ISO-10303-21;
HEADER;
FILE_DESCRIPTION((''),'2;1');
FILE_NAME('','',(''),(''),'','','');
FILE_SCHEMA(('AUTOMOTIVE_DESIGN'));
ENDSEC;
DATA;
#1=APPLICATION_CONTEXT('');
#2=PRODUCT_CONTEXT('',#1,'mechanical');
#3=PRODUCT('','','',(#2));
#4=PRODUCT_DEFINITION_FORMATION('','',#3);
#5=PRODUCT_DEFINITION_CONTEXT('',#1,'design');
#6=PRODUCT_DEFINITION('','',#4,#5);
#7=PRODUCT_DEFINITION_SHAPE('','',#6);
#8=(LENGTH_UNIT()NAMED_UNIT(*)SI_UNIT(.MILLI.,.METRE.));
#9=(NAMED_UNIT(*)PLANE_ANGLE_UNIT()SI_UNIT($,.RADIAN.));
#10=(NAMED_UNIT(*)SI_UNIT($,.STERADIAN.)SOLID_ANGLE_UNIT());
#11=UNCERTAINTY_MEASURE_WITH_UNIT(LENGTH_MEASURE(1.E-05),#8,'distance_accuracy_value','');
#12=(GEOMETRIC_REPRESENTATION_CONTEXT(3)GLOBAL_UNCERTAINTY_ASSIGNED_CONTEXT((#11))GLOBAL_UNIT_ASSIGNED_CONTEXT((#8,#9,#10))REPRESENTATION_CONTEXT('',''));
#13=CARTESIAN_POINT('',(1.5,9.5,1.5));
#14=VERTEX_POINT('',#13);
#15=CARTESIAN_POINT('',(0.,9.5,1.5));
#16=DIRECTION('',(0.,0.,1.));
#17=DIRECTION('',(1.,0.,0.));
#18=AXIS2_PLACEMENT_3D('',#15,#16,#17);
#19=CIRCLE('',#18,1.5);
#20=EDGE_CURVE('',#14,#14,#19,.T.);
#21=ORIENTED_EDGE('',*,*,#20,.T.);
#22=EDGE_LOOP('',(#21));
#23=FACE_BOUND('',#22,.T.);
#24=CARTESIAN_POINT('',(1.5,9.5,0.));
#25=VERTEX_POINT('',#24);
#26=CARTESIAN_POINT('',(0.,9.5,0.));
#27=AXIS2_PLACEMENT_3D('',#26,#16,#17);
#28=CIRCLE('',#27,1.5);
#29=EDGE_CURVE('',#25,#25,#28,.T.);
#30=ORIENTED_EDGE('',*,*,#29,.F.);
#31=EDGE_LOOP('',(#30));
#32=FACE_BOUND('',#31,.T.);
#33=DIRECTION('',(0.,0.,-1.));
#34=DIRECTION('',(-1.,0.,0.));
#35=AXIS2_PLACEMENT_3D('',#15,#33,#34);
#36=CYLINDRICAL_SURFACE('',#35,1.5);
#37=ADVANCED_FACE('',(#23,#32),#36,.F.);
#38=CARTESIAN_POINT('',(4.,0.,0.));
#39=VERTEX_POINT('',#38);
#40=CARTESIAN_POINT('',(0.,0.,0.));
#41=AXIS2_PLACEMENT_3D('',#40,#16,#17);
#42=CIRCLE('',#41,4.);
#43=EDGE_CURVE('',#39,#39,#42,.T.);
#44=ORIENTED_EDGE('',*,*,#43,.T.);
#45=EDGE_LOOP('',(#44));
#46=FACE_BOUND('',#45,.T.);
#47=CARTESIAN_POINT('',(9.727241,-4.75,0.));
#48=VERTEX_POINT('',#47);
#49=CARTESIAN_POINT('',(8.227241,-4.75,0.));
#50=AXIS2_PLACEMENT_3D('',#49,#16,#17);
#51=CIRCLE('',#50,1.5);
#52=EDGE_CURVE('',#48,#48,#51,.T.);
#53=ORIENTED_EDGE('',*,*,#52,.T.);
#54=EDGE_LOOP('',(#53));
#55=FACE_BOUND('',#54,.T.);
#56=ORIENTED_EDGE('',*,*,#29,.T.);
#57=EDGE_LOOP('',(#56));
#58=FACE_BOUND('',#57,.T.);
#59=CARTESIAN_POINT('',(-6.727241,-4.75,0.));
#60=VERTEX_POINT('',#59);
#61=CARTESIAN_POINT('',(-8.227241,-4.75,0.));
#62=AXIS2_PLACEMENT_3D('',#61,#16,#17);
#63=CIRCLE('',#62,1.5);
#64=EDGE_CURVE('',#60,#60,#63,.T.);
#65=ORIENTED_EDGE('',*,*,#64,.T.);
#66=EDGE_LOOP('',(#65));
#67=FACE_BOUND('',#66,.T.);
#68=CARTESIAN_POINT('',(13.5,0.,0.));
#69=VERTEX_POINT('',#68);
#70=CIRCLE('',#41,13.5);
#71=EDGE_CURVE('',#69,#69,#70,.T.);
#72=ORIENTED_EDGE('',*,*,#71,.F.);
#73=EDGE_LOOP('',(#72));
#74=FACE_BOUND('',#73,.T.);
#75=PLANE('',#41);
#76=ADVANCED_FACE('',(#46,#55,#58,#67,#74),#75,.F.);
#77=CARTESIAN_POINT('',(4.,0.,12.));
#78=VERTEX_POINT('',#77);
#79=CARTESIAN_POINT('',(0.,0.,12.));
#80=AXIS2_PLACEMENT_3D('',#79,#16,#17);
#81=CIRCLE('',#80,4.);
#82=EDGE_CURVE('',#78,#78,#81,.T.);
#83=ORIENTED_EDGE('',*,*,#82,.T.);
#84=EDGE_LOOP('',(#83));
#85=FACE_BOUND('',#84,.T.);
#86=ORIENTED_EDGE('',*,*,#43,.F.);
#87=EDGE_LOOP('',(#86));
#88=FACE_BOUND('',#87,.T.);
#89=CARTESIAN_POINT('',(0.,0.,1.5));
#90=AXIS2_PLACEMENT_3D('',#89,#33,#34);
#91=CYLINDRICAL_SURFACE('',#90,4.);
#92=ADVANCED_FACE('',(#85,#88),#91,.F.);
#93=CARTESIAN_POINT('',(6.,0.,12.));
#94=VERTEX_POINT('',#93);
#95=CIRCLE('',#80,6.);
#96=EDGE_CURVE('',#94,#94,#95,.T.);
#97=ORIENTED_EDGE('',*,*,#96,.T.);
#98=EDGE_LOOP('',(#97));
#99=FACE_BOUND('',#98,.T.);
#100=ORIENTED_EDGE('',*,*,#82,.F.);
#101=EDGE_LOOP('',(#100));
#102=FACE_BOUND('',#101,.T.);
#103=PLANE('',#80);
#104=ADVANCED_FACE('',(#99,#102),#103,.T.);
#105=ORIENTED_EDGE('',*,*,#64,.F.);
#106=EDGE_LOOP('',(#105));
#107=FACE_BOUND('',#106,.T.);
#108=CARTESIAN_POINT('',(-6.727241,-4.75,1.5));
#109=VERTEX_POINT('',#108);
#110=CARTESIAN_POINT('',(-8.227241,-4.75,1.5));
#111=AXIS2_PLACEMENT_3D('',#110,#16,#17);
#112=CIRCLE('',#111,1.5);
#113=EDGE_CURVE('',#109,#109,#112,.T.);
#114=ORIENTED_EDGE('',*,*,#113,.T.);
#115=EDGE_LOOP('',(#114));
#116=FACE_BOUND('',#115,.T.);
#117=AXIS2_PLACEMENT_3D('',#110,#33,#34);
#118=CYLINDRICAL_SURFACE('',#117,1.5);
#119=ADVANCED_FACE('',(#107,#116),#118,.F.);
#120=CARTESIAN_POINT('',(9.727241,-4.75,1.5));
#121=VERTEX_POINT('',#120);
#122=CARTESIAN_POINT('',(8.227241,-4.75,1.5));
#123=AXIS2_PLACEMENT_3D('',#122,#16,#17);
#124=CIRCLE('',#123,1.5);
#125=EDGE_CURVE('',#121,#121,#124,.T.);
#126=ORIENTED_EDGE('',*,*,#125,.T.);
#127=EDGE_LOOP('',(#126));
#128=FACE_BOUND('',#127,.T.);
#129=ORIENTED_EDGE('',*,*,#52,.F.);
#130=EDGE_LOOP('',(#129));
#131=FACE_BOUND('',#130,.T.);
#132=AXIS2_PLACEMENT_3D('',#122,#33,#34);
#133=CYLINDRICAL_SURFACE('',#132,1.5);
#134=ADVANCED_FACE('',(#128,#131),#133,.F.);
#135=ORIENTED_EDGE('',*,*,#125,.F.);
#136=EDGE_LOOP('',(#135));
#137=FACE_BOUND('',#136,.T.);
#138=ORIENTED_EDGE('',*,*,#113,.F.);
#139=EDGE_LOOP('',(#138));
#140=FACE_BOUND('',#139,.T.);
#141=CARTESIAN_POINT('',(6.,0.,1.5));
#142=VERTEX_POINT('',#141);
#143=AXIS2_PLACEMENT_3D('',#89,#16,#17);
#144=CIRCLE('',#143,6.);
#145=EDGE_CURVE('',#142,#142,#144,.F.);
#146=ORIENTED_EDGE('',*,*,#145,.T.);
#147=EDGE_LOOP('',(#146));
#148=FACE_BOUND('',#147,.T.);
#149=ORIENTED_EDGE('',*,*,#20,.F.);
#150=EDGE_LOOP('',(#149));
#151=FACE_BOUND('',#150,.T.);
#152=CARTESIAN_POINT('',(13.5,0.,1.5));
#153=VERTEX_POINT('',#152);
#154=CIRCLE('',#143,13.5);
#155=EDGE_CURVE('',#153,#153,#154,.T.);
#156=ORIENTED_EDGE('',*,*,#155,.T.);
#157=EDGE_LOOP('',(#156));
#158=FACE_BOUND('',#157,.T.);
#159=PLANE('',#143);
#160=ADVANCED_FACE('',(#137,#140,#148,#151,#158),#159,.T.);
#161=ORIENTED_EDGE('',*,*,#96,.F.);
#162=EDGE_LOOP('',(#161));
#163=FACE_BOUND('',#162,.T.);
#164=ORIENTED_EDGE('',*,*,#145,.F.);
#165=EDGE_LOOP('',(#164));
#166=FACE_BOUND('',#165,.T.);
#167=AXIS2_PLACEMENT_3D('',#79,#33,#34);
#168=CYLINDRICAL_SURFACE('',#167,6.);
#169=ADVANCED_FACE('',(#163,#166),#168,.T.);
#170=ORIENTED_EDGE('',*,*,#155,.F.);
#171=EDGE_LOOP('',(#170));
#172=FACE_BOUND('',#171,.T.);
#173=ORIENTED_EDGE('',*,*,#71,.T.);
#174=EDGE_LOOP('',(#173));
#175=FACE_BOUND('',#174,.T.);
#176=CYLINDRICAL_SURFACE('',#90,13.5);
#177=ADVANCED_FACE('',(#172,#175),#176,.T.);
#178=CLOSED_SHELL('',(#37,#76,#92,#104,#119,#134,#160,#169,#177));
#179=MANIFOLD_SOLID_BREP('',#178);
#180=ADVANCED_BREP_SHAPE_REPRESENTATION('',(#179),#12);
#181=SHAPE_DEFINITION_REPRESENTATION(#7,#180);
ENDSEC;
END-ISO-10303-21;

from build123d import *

# Parameters (mm, degrees)
SKETCH_1_R      = 13.5
SKETCH_1_R_2    = 1.5
SKETCH_1_R_3    = 4
EXTRUDE_1_DEPTH = 1.5
SKETCH_1_4_R    = 6
SKETCH_1_4_R_2  = 4
EXTRUDE_2_DEPTH = 12


with BuildPart() as part:
    # 草图1 → 凸台-拉伸1 (new body)
    with BuildSketch(Plane.XY):
        Circle(SKETCH_1_R)
        with Locations((-8.227241336, -4.75)):
            Circle(SKETCH_1_R_2, mode=Mode.SUBTRACT)
        with Locations((8.227241336, -4.75)):
            Circle(SKETCH_1_R_2, mode=Mode.SUBTRACT)
        with Locations((0, 9.5)):
            Circle(SKETCH_1_R_2, mode=Mode.SUBTRACT)
        Circle(SKETCH_1_R_3, mode=Mode.SUBTRACT)
    extrude(amount=EXTRUDE_1_DEPTH)

    # 草图1<4> → 凸台-拉伸2 (add)
    with BuildSketch(Plane.XY):
        Circle(SKETCH_1_4_R)
        Circle(SKETCH_1_4_R_2, mode=Mode.SUBTRACT)
    extrude(amount=EXTRUDE_2_DEPTH)


solid = part.part
